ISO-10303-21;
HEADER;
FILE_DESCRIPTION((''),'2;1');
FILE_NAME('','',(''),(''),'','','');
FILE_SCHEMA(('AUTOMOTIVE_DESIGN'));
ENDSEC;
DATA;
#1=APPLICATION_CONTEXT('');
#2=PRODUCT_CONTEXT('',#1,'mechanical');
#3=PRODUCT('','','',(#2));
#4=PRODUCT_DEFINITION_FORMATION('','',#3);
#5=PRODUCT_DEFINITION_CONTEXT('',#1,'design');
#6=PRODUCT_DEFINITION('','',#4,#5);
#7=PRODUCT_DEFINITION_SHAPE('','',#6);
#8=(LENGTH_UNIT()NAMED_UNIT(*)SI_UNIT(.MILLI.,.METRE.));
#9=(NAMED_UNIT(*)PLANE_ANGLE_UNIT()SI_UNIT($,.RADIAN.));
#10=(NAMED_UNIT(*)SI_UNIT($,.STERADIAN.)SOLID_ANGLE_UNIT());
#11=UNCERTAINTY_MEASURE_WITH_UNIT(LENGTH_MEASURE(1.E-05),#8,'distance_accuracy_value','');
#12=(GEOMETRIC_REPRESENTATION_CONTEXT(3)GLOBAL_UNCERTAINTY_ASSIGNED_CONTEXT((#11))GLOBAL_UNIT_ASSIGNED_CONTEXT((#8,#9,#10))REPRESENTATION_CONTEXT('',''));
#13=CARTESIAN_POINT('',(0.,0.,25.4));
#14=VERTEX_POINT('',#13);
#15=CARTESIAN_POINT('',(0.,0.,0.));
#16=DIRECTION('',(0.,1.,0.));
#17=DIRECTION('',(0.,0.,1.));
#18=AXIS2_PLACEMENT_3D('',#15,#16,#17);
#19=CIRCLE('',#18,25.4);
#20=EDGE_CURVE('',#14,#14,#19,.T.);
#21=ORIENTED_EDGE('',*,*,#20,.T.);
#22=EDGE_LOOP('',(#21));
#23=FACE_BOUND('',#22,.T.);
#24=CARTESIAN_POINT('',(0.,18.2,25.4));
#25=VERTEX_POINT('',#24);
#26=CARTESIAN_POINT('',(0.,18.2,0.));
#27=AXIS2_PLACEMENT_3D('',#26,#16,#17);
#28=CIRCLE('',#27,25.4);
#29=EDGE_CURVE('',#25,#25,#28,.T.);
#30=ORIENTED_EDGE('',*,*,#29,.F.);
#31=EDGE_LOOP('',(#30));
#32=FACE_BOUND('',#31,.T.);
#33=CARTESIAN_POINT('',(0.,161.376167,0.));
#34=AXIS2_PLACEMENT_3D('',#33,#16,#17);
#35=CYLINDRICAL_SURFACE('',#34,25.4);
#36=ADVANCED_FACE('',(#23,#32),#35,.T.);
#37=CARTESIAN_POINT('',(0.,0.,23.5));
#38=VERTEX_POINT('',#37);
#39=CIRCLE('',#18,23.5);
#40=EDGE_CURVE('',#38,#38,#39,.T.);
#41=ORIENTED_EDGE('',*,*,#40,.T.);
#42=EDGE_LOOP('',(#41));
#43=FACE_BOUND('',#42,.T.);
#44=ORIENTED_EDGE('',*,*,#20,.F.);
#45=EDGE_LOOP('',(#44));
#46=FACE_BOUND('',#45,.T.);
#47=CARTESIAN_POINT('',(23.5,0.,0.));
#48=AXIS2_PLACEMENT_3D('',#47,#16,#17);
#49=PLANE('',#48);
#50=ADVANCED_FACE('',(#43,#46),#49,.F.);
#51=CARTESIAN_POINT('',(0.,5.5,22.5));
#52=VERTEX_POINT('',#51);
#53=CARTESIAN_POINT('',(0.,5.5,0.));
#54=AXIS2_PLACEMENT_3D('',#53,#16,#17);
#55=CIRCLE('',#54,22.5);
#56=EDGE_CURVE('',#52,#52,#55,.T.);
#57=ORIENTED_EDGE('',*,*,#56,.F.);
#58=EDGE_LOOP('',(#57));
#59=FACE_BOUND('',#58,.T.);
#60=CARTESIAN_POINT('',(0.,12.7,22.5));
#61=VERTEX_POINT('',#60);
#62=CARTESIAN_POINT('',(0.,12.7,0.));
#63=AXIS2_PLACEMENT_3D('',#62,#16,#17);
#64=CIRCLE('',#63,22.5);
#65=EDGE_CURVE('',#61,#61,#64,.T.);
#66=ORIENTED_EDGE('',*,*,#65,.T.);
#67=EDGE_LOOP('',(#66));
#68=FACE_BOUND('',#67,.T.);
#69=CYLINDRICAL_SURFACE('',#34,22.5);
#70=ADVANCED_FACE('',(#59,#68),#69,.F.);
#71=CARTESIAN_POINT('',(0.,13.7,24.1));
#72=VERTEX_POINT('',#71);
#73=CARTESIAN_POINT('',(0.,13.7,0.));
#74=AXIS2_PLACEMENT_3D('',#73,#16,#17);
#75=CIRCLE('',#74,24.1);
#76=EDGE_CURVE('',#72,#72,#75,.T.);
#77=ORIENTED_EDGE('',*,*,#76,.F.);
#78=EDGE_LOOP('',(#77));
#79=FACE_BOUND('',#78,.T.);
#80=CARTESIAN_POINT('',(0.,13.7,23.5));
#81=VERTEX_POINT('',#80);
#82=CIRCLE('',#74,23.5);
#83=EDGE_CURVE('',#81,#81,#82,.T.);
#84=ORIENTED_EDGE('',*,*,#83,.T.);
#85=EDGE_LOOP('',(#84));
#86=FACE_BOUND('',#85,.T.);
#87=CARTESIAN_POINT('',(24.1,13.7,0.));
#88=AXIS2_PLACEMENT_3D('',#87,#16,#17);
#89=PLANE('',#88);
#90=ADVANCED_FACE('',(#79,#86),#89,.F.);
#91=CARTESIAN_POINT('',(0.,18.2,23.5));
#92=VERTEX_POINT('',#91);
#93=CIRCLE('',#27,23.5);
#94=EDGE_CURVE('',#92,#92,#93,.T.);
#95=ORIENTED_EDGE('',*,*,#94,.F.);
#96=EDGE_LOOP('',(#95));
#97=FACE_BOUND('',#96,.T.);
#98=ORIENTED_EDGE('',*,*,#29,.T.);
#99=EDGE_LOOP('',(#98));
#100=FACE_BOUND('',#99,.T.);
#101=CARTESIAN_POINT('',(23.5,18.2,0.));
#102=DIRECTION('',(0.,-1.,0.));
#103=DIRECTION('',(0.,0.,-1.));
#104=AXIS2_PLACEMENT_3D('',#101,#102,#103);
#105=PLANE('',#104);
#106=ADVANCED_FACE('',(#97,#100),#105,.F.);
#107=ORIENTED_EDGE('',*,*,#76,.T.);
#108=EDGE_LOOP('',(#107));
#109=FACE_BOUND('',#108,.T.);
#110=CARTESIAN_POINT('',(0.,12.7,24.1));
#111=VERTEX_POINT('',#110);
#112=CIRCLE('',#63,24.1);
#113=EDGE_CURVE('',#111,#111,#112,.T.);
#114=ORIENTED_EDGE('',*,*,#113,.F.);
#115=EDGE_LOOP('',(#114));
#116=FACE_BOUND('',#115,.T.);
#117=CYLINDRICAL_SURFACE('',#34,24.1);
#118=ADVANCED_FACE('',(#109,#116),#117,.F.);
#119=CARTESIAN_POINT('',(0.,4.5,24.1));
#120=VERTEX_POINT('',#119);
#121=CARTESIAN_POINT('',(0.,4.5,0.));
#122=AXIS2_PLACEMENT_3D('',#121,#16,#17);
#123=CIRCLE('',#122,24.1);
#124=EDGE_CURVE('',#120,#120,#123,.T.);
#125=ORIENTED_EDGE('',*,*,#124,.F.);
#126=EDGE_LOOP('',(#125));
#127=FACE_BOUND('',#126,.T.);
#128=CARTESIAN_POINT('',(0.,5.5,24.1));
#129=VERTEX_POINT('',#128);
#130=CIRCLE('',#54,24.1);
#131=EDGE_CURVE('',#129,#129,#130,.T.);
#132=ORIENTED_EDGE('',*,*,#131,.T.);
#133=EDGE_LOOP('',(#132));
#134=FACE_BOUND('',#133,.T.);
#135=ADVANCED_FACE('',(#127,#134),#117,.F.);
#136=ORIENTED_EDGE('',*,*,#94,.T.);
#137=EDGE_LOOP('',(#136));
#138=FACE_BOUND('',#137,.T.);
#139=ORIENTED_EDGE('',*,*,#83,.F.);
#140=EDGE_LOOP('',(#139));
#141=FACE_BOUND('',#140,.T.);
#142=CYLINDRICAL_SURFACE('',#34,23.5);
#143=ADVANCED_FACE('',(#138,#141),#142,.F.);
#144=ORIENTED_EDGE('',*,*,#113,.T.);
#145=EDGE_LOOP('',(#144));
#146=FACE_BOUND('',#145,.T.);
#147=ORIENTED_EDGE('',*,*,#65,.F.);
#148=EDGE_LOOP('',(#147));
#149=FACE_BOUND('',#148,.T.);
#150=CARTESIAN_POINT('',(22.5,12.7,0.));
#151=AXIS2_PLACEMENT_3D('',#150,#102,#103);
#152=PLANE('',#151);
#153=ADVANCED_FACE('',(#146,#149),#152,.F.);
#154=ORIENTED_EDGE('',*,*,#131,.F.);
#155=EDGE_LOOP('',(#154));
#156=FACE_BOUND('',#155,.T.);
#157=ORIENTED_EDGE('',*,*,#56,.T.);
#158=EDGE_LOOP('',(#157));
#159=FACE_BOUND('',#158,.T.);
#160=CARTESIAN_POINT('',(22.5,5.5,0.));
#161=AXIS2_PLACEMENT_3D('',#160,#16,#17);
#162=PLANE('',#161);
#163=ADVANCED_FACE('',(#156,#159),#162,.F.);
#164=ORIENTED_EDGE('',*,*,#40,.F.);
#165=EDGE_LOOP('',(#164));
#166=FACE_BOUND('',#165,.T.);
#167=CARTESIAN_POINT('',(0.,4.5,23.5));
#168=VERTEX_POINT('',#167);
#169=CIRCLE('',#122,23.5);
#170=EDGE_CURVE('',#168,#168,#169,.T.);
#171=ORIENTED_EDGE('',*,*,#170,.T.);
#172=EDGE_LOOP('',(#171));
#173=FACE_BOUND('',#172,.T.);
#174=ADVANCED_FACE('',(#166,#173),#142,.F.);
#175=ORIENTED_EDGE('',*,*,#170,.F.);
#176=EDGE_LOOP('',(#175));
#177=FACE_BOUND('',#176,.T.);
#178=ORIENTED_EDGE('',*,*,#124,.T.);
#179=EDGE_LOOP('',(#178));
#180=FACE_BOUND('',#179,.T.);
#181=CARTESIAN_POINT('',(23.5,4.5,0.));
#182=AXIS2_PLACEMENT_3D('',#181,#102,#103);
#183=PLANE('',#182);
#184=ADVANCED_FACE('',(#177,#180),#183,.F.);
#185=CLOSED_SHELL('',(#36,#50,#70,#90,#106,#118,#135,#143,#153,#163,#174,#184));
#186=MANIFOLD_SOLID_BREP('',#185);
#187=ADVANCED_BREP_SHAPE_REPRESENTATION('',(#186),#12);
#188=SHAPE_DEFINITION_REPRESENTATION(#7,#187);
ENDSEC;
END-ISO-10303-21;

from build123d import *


with BuildPart() as part:
    # 草图1 → 旋转1 (revolve)
    with BuildSketch(Plane.XY, mode=Mode.PRIVATE) as revolve_1_sk:
        Polygon((25.4, 0), (25.4, 18.2), (23.5, 18.2), (23.5, 13.7), (24.1, 13.7), (24.1, 12.7), (22.5, 12.7), (22.5, 5.5), (24.1, 5.5), (24.1, 4.5), (23.5, 4.5), (23.5, 0), align=None)
    revolve(revolve_1_sk.sketch.rotate(Axis((0, 161.376166943, 0), (0, -1, 0)), 90), axis=Axis((0, 161.376166943, 0), (0, -1, 0)))  # turned: the seam where the file's is


solid = part.part
